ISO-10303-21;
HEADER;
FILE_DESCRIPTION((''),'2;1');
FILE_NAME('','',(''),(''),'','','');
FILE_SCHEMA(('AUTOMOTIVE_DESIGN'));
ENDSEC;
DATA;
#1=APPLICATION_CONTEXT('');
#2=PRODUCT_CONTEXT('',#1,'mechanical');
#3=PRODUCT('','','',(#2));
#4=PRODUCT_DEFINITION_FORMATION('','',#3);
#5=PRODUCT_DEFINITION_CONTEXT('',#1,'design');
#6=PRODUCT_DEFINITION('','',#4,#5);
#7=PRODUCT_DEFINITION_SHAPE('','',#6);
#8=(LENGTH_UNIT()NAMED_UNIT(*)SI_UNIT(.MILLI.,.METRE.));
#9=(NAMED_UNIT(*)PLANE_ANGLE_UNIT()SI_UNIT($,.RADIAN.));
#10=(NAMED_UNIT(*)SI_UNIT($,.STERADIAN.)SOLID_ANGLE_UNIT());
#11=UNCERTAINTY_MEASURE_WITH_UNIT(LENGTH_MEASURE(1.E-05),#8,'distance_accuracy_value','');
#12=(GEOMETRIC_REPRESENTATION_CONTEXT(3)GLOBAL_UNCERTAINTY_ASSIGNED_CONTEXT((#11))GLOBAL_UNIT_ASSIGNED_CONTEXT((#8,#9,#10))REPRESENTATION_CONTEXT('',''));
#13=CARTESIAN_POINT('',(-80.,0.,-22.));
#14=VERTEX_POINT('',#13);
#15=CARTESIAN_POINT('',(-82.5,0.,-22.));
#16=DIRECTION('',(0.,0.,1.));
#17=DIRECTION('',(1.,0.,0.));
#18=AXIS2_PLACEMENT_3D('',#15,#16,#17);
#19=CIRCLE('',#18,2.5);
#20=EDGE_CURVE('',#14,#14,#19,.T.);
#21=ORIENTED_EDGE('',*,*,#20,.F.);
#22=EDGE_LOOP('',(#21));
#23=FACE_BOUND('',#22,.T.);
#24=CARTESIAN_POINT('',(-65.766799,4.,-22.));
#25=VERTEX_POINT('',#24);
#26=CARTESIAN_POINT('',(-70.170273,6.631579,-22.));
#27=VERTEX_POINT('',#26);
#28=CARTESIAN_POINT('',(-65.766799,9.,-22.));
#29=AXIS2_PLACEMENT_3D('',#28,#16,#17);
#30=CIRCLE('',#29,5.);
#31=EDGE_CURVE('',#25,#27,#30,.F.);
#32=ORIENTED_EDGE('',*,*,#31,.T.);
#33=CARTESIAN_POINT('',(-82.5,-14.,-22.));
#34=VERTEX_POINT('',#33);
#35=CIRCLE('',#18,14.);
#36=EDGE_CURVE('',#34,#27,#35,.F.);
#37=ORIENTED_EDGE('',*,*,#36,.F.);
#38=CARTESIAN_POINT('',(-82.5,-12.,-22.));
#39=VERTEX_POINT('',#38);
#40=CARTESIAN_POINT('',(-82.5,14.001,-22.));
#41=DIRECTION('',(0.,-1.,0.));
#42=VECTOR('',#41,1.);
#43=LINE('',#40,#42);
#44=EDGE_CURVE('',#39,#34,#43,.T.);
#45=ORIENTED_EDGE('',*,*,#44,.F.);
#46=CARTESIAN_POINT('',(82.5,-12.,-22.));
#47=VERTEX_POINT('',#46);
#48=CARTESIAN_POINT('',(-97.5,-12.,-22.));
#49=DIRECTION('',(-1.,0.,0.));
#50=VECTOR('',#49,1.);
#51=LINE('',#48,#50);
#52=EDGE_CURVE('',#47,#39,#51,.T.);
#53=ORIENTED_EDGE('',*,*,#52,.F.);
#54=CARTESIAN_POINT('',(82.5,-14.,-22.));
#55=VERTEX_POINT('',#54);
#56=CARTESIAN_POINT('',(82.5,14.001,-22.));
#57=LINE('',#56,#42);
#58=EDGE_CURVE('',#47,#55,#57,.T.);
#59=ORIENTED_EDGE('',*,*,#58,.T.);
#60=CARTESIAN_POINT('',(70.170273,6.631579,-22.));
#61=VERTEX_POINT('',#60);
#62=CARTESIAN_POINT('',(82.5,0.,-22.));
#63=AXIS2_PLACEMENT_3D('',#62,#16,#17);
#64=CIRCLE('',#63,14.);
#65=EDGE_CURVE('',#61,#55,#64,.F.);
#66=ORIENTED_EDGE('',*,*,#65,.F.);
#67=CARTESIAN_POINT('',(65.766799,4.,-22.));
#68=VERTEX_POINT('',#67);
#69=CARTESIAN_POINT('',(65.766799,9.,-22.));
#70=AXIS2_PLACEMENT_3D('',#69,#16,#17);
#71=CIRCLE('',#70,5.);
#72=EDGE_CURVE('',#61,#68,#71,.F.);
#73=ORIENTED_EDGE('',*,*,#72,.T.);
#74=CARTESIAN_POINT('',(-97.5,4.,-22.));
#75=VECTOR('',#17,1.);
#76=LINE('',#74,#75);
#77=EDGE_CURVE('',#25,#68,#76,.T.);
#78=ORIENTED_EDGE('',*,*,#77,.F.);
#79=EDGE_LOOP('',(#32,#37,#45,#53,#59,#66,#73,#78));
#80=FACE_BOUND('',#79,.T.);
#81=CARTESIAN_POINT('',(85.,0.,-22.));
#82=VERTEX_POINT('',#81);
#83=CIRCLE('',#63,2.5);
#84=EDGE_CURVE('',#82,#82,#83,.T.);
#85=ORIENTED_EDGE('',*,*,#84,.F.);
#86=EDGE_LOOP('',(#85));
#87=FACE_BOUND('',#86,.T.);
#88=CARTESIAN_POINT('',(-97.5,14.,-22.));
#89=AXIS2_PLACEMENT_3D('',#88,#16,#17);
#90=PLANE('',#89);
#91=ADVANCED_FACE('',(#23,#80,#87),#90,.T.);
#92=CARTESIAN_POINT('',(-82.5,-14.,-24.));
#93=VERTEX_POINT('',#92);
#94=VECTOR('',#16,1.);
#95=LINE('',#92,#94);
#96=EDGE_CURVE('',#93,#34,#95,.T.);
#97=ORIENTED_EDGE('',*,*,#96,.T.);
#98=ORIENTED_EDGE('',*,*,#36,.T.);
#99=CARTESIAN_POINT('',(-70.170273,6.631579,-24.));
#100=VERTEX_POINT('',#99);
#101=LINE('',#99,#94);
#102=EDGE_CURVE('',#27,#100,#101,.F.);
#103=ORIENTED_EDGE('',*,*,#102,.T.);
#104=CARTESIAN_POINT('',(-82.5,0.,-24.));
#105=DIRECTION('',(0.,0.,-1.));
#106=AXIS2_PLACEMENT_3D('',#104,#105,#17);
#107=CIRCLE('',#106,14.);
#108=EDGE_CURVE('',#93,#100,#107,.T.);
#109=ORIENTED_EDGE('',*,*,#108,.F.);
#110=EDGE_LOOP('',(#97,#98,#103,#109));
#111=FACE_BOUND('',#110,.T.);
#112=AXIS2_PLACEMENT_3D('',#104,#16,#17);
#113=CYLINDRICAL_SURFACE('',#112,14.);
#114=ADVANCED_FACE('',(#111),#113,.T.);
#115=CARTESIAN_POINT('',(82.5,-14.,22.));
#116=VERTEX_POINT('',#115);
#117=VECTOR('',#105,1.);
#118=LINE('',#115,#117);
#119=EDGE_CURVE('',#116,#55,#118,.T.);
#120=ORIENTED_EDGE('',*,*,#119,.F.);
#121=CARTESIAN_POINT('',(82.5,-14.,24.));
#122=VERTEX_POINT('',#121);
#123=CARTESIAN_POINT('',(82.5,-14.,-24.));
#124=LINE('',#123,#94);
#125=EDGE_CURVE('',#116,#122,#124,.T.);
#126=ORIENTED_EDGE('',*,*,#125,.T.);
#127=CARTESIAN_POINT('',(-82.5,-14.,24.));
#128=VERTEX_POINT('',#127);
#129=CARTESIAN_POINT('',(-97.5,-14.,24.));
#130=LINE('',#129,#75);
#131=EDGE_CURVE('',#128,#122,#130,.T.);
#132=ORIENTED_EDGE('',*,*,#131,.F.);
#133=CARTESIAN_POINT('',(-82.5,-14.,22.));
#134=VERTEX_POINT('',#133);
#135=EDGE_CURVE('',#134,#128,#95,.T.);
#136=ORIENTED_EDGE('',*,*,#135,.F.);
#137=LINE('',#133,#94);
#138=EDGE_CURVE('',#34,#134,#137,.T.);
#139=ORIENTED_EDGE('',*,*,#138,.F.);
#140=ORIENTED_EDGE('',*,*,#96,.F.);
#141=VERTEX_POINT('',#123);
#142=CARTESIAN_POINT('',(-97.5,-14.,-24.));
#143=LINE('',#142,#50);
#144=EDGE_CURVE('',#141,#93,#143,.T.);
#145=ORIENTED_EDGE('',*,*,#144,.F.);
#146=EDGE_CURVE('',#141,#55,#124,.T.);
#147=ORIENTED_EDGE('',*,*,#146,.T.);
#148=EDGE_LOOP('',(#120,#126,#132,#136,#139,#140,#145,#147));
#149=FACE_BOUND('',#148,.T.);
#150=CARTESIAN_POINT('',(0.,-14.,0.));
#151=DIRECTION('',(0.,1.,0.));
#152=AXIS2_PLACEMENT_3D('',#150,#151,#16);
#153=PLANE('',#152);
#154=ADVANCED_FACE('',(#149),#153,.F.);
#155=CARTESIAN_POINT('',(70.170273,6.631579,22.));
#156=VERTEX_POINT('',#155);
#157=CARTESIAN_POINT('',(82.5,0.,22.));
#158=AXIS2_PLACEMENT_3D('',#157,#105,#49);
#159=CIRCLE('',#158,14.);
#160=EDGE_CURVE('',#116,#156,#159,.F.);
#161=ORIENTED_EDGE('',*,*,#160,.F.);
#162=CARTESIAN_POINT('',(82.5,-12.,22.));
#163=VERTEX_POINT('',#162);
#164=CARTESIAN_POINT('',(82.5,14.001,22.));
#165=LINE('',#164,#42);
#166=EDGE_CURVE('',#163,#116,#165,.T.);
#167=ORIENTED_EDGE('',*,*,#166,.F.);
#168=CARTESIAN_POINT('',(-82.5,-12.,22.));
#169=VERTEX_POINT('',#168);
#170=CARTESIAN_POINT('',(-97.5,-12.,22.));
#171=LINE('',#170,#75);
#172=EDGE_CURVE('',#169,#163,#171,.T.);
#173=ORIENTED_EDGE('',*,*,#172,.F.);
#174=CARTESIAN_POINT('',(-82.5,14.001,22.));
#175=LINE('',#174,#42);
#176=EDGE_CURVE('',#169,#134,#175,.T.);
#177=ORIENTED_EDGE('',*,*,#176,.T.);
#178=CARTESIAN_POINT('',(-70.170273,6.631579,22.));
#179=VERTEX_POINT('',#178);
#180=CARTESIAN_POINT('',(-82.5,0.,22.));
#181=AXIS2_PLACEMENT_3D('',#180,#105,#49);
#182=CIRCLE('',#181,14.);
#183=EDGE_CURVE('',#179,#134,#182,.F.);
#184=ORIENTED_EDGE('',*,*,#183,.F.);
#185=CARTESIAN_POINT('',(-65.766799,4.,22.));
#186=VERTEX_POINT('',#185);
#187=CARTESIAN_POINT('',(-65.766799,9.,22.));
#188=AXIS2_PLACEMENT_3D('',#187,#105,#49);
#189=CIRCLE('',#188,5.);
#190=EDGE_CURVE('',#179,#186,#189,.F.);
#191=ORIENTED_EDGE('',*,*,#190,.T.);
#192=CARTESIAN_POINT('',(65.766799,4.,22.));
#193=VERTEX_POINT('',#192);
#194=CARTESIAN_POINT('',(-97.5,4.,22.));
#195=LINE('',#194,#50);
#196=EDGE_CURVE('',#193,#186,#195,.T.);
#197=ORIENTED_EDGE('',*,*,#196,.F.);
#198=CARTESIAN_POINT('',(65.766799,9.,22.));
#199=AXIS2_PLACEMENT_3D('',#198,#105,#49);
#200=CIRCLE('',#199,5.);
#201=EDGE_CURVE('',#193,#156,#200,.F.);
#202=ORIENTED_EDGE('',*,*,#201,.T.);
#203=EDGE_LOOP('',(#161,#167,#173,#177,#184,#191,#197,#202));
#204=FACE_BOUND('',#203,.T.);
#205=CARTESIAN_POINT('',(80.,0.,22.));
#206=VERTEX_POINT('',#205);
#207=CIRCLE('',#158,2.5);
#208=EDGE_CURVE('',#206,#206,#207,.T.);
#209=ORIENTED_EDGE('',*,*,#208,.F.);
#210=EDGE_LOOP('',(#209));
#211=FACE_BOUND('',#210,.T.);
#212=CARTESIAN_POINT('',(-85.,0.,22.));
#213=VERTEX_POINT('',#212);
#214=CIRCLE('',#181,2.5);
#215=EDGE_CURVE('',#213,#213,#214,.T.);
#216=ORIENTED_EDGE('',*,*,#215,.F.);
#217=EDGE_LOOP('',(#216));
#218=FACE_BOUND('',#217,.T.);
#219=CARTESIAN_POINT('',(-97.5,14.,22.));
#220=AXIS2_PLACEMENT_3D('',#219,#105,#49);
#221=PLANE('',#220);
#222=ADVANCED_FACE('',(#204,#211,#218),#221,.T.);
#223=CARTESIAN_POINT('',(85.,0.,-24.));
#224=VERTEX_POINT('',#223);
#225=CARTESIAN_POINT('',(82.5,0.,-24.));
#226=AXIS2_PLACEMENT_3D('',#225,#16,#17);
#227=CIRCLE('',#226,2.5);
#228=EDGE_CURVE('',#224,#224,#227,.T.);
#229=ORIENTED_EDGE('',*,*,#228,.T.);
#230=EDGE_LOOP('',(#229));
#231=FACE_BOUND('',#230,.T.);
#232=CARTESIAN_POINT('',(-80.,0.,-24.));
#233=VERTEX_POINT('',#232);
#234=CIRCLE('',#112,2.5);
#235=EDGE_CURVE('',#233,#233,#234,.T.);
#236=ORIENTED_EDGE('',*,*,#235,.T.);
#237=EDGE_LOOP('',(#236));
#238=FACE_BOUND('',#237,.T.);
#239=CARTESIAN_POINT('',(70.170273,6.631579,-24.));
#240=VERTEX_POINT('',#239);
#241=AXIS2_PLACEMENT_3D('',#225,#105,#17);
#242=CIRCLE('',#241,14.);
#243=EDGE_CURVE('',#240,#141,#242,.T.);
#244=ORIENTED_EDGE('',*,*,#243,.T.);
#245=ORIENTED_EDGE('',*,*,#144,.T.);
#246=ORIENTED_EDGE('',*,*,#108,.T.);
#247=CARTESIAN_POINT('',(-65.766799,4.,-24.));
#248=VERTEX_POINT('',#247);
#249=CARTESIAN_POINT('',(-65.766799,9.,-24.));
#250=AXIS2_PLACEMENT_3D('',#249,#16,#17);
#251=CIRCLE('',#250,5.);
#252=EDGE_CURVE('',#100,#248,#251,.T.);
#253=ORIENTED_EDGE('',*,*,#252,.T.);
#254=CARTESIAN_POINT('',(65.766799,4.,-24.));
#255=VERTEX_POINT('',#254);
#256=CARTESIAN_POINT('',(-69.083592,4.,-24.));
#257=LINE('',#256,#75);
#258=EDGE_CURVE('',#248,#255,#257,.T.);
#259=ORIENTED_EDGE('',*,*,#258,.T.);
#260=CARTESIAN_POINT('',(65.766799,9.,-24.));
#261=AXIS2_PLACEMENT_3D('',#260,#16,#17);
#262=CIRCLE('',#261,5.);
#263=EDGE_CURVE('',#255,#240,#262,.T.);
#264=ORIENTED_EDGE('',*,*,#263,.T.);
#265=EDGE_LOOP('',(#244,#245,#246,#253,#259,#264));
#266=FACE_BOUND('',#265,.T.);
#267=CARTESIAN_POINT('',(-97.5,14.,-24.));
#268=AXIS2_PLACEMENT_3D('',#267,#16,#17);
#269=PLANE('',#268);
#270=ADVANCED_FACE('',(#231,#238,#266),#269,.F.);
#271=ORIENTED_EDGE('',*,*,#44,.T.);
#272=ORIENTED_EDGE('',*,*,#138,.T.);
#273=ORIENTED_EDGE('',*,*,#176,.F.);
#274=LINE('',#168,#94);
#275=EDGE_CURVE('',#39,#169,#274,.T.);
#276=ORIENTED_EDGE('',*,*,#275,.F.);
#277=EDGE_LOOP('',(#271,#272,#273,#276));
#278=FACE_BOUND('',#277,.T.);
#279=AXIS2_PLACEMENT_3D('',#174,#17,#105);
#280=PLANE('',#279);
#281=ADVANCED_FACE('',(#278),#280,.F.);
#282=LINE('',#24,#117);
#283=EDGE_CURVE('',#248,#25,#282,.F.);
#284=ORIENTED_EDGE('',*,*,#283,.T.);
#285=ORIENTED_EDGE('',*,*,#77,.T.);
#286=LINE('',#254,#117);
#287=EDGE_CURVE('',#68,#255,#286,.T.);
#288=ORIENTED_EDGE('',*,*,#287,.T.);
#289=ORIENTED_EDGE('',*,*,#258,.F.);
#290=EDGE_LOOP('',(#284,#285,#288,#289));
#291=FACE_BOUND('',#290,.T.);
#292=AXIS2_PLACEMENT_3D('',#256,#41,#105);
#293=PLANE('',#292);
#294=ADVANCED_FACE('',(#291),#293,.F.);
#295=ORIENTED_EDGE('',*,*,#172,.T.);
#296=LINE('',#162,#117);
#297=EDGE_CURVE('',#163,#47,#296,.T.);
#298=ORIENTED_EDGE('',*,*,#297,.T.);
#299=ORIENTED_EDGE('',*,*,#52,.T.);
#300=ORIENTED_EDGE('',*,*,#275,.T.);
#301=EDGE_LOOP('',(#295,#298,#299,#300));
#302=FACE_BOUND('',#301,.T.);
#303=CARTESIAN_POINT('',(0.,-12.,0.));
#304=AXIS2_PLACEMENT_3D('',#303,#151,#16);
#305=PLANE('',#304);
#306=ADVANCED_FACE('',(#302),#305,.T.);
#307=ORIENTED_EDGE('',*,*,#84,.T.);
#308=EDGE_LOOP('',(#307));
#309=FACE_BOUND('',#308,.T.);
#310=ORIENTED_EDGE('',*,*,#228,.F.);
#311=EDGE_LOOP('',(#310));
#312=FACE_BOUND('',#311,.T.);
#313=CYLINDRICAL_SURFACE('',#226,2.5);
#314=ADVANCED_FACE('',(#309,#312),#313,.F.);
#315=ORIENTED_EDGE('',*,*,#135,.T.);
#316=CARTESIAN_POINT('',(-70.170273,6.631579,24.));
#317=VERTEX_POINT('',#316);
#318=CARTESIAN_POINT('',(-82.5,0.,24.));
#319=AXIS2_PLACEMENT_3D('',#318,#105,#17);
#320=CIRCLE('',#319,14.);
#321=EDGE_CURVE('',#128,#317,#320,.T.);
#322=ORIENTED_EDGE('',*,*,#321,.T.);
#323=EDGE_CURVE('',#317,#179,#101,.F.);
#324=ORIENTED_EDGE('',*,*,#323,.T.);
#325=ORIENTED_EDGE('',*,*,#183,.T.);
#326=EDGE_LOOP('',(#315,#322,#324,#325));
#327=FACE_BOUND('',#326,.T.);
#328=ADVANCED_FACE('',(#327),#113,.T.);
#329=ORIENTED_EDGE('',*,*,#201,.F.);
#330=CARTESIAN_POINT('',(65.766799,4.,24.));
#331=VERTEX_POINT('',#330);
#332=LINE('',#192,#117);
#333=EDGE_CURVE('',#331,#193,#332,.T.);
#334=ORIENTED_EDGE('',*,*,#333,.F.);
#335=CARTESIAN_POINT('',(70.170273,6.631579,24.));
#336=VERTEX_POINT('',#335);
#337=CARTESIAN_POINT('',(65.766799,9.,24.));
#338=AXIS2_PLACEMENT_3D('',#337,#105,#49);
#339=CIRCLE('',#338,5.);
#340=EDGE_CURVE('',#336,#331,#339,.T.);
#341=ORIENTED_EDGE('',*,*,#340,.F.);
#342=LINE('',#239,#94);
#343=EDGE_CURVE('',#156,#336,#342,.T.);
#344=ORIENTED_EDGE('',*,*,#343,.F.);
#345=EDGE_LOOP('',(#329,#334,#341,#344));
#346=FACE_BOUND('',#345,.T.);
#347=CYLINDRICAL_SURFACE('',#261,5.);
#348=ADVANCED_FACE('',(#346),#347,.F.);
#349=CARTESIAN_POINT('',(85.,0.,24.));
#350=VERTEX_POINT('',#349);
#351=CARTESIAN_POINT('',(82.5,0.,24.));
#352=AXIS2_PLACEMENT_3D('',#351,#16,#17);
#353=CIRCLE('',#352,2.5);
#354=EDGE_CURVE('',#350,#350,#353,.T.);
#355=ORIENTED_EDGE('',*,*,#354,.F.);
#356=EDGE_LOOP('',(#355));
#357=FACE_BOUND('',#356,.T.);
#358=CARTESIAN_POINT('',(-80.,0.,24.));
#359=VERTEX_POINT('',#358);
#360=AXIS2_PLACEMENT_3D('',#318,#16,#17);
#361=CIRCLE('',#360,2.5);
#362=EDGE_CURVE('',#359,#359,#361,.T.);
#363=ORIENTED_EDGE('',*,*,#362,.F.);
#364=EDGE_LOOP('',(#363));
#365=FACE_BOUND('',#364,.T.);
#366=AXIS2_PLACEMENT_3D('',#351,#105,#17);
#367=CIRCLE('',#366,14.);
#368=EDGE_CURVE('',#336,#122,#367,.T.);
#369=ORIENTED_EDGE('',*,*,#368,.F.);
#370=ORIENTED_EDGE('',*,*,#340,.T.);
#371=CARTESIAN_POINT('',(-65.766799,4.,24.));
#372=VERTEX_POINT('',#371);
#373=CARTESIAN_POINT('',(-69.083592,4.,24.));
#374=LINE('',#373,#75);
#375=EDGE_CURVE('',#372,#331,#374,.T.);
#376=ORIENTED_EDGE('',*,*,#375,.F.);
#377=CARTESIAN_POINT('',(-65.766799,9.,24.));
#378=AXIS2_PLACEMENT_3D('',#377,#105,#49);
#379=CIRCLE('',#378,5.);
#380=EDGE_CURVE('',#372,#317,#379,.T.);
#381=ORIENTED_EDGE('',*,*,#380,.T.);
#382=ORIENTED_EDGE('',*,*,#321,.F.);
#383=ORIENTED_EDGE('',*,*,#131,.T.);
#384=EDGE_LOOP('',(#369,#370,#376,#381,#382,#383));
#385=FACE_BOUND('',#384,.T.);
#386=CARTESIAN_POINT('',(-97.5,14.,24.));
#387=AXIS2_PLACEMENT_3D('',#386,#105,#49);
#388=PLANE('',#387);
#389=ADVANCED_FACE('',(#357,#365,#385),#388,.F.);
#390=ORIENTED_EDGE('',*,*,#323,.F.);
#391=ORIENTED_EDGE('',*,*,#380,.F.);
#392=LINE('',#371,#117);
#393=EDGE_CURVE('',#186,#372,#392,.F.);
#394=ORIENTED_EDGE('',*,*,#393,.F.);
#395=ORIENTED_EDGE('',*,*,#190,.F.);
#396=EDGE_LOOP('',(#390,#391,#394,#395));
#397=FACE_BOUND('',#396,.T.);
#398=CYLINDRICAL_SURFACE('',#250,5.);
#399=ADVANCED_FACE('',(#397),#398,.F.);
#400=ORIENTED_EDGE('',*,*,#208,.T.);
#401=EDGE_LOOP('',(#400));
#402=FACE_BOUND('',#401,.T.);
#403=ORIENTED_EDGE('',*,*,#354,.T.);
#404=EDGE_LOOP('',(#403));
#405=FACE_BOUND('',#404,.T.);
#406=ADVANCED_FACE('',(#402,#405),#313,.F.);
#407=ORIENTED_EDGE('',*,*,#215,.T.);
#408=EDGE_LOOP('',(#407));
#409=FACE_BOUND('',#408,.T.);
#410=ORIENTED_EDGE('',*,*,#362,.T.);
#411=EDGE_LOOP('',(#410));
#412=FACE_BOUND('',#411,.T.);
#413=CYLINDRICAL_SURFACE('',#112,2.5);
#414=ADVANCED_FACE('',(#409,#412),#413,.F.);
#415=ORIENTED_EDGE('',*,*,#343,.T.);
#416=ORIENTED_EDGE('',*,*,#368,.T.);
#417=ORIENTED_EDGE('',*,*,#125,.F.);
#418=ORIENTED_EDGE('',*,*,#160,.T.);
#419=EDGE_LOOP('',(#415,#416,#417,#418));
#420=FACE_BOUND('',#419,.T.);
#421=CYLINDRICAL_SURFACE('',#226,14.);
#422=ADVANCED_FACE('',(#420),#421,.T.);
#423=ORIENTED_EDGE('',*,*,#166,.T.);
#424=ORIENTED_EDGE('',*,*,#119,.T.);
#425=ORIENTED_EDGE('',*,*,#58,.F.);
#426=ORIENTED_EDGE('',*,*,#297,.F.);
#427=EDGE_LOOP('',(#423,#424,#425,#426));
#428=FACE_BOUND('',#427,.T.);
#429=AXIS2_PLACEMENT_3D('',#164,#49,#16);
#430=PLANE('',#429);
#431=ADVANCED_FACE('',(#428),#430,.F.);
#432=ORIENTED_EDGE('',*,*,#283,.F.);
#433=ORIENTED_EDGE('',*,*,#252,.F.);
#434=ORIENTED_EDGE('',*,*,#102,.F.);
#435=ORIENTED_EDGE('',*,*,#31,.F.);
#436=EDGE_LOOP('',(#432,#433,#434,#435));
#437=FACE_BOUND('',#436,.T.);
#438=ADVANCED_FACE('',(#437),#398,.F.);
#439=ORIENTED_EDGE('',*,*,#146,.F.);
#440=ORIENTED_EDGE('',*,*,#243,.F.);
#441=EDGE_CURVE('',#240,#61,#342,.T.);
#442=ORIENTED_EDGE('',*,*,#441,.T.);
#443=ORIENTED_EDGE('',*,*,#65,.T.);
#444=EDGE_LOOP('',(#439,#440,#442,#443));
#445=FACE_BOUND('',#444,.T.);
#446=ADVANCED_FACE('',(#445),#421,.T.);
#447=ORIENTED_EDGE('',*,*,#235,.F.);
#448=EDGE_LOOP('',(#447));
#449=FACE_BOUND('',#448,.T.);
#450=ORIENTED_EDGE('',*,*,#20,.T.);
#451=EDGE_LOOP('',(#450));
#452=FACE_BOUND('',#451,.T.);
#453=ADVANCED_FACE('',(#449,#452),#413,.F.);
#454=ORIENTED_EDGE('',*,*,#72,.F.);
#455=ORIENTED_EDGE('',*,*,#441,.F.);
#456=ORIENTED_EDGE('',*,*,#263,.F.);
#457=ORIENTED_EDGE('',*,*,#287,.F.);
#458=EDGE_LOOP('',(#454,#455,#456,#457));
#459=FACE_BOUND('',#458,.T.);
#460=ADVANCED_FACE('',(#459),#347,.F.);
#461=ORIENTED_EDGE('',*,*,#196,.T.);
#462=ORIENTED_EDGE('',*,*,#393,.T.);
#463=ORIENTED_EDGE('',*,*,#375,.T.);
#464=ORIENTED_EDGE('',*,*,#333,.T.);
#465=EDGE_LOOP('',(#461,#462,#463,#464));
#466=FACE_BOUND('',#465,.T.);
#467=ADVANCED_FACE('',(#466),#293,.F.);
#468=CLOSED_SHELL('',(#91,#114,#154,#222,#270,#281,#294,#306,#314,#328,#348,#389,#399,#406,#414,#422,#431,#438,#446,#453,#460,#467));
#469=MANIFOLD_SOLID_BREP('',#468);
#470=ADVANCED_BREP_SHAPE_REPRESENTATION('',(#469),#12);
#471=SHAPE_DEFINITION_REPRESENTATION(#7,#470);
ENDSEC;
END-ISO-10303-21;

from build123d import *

# Parameters (mm, degrees)
SKETCH2_W                      = 195
SKETCH2_H                      = 48
BOSS_EXTRUDE1_DEPTH            = 14
SHELL1_T                       = -2
SKETCH3_R                      = 2.5
CUT_EXTRUDE1_DEPTH             = 110.573035004
CUT_EXTRUDE2_REACH             = 196.99
SKETCH4_W                      = 44
SKETCH4_H                      = 26
CUT_EXTRUDE2_DIRECTION_2_REACH = 196.99
CUT_EXTRUDE3_DEPTH             = 102.381704464
CUT_EXTRUDE3_DEPTH_BACK        = 102.381704464
CUT_EXTRUDE4_REACH             = 105.307
SKETCH7_W                      = 7.211102551
SKETCH7_H                      = 44
FILLET1_R                      = 5


with BuildPart() as part:
    # Sketch2 → Boss-Extrude1 (new, symmetric)
    with BuildSketch(Plane(origin=(0, 0, 0), x_dir=(1, 0, 0), z_dir=(0, 1, 0))):
        Rectangle(SKETCH2_W, SKETCH2_H)
    extrude(amount=BOSS_EXTRUDE1_DEPTH, both=True)

    # Shell1
    shell1_openings = [part.faces().sort_by_distance(p)[0] for p in [
        (0, 14, 0),
    ]]
    offset(amount=SHELL1_T, openings=shell1_openings, kind=Kind.INTERSECTION)

    # Sketch3 → Cut-Extrude1 (cut, through all)
    with BuildSketch(Plane.XY.offset(24)):
        with Locations((-82.5, 0)):
            Circle(SKETCH3_R)
        with Locations((82.5, 0)):
            Circle(SKETCH3_R)
    extrude(amount=-CUT_EXTRUDE1_DEPTH, mode=Mode.SUBTRACT)

    # Sketch4 → Cut-Extrude2 (cut, up to next)
    with BuildSketch(Plane(origin=(-95.5, 0, 0), x_dir=(0, 0, -1), z_dir=(1, 0, 0)), mode=Mode.PRIVATE) as cut_extrude2_sk1:
        with Locations((0, 1)):
            Rectangle(SKETCH4_W, SKETCH4_H)
    cut_extrude2_tool1 = extrude(cut_extrude2_sk1.sketch, amount=-CUT_EXTRUDE2_REACH, mode=Mode.PRIVATE) & part.part
    add(cut_extrude2_tool1.solids().sort_by_distance((-95.5, 1, 0))[0], mode=Mode.SUBTRACT)

    # Sketch4 → Cut-Extrude2 direction 2 (cut, up to next)
    with BuildSketch(Plane(origin=(-95.5, 0, 0), x_dir=(0, 0, -1), z_dir=(1, 0, 0)), mode=Mode.PRIVATE) as cut_extrude2_direction_2_sk1:
        with Locations((0, 1)):
            Rectangle(SKETCH4_W, SKETCH4_H)
    cut_extrude2_direction_2_tool1 = extrude(cut_extrude2_direction_2_sk1.sketch, amount=CUT_EXTRUDE2_DIRECTION_2_REACH, mode=Mode.PRIVATE) & part.part
    add(cut_extrude2_direction_2_tool1.solids().sort_by_distance((-95.5, 1, 0))[0], mode=Mode.SUBTRACT)

    # Sketch6 → Cut-Extrude3 (cut, two sides: drawn at the far end of the back side and taken through both)
    with BuildSketch(Plane.XY.offset(-CUT_EXTRUDE3_DEPTH_BACK)):
        with BuildLine():
            Line((-69.083592135, 4), (69.083592135, 4))
            ThreePointArc((69.083592135, 4), (93.72497216, 8.366600265), (82.5, -14))
            Line((82.5, -14), (97.5, -14))
            Line((97.5, -14), (97.5, 24))
            Line((97.5, 24), (-97.5, 24))
            Line((-97.5, 24), (-97.5, -14))
            Line((-97.5, -14), (-82.5, -14))
            ThreePointArc((-82.5, -14), (-93.72497216, 8.366600265), (-69.083592135, 4))
        make_face()
    extrude(amount=CUT_EXTRUDE3_DEPTH + CUT_EXTRUDE3_DEPTH_BACK, mode=Mode.SUBTRACT)

    # Sketch7 → Cut-Extrude4 (cut, up to next)
    with BuildSketch(Plane.XZ.offset(14), mode=Mode.PRIVATE) as cut_extrude4_sk1:
        with Locations((86.105551276, 0)):
            Rectangle(SKETCH7_W, SKETCH7_H)
    cut_extrude4_tool1 = extrude(cut_extrude4_sk1.sketch, amount=-CUT_EXTRUDE4_REACH, mode=Mode.PRIVATE) & part.part
    # Sketch7 → Cut-Extrude4 (cut, up to next)
    with BuildSketch(Plane.XZ.offset(14), mode=Mode.PRIVATE) as cut_extrude4_sk2:
        with Locations((-86.105551276, 0)):
            Rectangle(SKETCH7_W, SKETCH7_H)
    cut_extrude4_tool2 = extrude(cut_extrude4_sk2.sketch, amount=-CUT_EXTRUDE4_REACH, mode=Mode.PRIVATE) & part.part
    add(cut_extrude4_tool1.solids().sort_by_distance((86.105551, -14, 0))[0], mode=Mode.SUBTRACT)
    add(cut_extrude4_tool2.solids().sort_by_distance((-86.105551, -14, 0))[0], mode=Mode.SUBTRACT)

    # Fillet1
    fillet1_edges = [part.edges().sort_by_distance(p)[0] for p in [
        (69.083592135, 4, -23),
        (-69.083592135, 4, 23),
        (-69.083592135, 4, -23),
        (69.083592135, 4, 23),
    ]]
    fillet(fillet1_edges, radius=FILLET1_R)


solid = part.part
